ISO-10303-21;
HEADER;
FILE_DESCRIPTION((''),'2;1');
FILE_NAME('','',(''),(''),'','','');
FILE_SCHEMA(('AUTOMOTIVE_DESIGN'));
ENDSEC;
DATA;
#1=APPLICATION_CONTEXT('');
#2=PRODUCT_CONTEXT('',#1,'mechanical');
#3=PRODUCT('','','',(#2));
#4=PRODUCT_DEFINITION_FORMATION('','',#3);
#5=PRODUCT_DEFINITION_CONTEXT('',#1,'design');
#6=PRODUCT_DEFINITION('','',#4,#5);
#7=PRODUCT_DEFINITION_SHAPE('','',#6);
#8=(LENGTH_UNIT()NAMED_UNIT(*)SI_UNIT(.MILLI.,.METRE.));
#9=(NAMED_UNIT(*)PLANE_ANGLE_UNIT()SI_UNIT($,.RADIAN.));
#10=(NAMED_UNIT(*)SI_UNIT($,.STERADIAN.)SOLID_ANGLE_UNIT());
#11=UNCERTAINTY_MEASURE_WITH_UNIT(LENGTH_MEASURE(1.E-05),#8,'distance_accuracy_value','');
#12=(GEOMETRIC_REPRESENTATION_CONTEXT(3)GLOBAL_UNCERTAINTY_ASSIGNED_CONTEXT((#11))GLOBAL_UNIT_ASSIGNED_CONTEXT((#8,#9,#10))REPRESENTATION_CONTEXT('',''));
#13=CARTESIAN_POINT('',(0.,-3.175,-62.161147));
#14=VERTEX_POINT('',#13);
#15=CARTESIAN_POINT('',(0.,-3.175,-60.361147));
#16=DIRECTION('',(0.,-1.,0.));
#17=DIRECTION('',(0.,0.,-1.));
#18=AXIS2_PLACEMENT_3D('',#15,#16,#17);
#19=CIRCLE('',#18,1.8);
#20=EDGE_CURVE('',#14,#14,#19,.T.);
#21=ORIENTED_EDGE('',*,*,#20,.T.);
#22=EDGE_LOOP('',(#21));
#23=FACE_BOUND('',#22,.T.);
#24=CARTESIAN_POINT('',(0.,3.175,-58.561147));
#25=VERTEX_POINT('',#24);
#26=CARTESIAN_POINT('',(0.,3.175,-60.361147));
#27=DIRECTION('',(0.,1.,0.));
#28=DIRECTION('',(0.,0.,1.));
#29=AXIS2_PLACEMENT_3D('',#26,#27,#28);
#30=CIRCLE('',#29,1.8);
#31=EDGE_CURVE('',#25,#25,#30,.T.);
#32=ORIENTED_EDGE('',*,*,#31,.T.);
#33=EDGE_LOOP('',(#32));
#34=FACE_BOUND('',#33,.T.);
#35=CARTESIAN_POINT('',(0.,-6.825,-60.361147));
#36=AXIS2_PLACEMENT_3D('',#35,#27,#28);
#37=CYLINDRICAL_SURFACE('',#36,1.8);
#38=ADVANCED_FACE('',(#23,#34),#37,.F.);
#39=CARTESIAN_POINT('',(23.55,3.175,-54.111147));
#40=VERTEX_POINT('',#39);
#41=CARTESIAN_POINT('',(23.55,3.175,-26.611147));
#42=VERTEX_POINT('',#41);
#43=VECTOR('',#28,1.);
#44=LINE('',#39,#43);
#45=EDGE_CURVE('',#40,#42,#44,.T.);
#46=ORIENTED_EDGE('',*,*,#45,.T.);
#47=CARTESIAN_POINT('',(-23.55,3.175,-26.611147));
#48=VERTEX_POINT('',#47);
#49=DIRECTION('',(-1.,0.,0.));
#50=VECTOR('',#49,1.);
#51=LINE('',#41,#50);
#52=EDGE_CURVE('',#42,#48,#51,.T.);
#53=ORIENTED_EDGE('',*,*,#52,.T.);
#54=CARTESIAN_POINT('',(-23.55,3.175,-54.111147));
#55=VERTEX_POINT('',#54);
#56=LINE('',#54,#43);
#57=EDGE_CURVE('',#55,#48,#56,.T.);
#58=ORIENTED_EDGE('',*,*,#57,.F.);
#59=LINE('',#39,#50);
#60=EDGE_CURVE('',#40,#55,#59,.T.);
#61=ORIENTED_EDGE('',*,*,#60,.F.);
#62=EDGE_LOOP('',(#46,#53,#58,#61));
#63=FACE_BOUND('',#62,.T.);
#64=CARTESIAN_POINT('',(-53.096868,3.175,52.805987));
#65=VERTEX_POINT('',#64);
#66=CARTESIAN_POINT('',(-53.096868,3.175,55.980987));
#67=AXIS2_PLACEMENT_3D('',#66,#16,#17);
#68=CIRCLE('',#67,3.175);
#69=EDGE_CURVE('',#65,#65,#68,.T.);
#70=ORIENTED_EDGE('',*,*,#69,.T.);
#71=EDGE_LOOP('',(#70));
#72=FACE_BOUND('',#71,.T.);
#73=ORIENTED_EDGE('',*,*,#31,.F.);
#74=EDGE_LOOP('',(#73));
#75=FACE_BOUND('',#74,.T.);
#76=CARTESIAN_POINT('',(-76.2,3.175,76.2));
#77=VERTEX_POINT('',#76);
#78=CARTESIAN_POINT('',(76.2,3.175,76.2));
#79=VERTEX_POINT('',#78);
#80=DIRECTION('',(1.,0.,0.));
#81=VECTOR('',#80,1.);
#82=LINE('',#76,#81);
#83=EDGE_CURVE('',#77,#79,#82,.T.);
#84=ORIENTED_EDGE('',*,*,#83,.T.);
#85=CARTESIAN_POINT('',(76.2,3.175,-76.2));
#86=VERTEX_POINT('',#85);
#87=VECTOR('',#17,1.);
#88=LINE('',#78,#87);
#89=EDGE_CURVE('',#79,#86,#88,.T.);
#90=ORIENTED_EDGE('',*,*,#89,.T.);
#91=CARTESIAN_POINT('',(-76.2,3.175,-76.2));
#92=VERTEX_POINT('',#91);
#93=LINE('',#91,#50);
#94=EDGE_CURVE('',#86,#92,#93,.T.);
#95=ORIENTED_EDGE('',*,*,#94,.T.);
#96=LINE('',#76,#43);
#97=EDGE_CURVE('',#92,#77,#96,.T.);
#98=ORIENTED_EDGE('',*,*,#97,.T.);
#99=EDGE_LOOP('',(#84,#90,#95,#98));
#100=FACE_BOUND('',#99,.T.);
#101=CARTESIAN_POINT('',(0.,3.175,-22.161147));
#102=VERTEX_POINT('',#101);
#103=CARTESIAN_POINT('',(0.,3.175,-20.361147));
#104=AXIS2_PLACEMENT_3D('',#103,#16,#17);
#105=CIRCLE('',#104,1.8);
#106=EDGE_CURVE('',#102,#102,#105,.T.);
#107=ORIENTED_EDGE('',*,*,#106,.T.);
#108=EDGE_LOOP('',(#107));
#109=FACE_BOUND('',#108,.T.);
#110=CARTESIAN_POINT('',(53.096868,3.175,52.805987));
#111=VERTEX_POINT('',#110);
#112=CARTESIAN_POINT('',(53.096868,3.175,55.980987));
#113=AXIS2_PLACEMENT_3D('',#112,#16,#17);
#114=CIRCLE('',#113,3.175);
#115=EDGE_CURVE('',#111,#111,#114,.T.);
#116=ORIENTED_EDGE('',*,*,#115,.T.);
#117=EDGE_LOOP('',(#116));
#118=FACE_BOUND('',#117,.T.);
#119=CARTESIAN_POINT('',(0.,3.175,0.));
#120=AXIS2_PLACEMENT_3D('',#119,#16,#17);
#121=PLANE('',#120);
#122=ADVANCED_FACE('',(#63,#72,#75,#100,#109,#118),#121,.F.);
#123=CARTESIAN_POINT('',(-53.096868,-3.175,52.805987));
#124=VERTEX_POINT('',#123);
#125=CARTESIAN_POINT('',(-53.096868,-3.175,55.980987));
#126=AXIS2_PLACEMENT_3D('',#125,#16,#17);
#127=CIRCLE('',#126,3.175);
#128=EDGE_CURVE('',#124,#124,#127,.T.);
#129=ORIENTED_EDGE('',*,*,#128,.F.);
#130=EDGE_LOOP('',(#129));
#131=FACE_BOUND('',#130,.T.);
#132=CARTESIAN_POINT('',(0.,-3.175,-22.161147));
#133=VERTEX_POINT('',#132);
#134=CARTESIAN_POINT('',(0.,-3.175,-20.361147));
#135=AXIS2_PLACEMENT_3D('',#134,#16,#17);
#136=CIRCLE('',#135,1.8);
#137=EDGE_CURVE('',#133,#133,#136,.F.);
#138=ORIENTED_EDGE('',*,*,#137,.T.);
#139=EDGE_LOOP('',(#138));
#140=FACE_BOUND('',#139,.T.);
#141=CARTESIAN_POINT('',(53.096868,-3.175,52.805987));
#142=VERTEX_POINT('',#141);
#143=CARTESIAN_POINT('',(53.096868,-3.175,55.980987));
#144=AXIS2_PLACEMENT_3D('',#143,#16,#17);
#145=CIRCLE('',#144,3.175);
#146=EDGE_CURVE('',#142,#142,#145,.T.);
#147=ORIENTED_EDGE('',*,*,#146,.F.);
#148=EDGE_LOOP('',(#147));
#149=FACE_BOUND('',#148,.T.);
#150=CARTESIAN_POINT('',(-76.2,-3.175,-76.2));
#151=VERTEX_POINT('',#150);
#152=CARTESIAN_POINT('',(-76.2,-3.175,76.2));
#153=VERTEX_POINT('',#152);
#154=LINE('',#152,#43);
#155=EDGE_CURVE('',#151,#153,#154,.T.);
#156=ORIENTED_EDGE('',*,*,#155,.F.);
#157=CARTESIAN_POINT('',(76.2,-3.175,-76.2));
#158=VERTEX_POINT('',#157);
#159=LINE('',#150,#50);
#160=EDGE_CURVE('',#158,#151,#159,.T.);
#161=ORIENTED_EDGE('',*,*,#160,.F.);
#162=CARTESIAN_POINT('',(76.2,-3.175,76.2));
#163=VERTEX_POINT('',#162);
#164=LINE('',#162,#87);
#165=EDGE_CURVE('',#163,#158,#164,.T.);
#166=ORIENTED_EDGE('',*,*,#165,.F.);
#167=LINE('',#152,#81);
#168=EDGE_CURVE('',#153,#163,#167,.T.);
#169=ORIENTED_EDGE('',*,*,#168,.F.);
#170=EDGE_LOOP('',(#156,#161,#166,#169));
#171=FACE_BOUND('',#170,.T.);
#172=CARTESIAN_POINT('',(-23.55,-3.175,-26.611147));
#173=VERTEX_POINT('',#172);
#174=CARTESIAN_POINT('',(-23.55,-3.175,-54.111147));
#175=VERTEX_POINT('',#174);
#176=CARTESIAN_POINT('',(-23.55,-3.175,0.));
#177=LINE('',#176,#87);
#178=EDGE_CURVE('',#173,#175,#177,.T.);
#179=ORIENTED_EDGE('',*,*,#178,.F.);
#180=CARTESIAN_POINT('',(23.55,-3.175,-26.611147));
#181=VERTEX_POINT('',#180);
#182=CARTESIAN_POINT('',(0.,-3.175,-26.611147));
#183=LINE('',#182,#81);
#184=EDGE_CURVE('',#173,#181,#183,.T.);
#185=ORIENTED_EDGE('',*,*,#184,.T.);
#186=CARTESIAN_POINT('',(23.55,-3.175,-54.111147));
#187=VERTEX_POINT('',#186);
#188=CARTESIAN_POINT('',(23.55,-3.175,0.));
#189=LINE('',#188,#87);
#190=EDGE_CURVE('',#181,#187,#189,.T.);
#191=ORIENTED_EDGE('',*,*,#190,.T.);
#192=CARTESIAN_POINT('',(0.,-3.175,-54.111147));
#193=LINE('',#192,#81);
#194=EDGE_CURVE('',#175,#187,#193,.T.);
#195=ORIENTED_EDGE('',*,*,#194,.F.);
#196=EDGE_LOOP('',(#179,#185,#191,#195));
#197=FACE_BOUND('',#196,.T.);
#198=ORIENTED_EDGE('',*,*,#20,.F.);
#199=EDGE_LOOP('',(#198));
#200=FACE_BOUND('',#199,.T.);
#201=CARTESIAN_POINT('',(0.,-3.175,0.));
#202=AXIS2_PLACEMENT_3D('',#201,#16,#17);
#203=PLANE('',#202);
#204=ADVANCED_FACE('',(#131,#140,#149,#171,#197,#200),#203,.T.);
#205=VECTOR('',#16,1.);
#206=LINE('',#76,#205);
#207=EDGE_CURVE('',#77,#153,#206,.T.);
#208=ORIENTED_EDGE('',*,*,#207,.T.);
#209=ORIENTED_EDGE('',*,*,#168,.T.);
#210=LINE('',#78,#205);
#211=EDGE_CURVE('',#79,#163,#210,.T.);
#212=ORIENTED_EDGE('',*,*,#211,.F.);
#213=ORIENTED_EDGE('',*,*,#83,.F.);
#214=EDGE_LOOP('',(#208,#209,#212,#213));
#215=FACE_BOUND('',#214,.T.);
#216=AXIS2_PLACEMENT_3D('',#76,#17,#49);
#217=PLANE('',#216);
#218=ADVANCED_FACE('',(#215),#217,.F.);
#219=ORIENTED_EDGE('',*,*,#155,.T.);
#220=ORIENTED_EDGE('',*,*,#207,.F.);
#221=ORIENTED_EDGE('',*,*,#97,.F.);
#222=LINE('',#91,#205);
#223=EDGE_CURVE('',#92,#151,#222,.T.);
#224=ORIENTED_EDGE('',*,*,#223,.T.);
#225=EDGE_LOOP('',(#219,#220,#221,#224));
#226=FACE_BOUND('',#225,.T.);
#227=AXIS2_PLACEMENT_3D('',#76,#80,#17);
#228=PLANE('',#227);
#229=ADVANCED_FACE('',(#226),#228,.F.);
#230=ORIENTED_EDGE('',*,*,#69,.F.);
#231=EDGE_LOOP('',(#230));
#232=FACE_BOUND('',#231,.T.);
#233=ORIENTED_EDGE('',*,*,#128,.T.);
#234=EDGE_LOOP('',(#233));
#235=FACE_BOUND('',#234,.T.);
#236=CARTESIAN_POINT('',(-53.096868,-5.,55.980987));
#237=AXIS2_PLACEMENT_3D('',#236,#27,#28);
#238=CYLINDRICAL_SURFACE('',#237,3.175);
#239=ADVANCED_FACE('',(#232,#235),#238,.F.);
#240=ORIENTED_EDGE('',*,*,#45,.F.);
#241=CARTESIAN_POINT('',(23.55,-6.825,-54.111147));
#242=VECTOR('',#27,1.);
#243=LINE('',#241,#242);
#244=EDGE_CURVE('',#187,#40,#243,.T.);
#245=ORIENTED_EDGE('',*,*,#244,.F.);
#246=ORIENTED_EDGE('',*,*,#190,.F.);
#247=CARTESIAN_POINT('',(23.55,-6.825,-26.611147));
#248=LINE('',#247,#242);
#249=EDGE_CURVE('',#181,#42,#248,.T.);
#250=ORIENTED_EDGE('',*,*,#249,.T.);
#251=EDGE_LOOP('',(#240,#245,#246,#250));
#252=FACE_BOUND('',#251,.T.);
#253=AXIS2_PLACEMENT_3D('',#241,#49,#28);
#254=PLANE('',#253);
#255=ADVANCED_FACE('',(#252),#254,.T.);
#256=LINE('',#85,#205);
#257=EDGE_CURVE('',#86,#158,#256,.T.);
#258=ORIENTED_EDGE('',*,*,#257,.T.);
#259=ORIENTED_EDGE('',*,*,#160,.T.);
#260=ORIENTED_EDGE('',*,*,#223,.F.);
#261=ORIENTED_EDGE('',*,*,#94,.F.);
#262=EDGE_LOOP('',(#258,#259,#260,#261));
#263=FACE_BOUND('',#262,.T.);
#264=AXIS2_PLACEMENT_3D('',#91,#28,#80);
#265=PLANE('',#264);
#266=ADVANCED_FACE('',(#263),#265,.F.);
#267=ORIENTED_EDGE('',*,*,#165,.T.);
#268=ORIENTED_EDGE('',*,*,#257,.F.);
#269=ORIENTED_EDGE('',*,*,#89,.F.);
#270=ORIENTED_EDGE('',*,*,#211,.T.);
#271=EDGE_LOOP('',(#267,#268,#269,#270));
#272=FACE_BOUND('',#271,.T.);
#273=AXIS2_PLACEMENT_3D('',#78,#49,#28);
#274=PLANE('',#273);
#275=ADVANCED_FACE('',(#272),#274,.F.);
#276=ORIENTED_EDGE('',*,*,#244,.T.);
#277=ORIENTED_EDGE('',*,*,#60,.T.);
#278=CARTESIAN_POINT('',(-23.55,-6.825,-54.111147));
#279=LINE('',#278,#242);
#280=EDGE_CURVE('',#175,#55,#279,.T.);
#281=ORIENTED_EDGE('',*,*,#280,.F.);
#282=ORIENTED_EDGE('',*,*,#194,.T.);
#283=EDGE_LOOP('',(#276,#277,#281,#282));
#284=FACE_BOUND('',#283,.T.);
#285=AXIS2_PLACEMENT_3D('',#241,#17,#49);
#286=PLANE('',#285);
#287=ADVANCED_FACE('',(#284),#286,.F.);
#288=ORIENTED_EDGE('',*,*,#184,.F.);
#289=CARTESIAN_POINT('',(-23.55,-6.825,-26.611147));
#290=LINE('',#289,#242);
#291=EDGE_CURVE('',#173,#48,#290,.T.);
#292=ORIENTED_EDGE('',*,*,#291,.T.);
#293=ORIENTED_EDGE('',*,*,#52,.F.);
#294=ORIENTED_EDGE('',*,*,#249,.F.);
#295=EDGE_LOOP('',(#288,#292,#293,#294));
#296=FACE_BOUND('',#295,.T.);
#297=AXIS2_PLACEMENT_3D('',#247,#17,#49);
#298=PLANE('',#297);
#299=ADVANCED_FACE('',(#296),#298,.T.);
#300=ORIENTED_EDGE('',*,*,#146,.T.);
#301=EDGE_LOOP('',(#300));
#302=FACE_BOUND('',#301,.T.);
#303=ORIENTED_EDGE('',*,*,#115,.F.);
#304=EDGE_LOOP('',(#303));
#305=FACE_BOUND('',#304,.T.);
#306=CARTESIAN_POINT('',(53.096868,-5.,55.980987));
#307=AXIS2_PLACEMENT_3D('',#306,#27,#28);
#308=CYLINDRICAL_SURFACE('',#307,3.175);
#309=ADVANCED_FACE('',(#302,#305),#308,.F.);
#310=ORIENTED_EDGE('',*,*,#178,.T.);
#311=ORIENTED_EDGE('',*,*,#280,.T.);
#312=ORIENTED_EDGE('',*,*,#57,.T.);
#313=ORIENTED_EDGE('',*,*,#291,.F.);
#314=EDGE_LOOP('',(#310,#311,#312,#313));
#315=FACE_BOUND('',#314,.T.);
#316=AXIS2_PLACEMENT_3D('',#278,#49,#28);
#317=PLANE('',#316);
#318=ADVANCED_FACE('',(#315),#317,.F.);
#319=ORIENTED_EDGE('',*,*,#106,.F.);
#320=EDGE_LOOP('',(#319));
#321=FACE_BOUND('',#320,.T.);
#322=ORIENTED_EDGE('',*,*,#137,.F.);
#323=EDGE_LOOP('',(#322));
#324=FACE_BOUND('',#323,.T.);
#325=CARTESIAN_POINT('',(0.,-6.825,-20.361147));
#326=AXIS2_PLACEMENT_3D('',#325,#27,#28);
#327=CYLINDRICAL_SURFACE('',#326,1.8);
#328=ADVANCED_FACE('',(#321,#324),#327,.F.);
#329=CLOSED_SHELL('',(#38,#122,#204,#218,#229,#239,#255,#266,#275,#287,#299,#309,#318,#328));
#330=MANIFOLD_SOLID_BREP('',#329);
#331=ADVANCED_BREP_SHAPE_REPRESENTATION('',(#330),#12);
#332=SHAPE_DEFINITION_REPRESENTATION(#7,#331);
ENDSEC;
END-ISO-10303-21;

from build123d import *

# Parameters (mm, degrees)
SKETCH3_W           = 152.4
SKETCH3_H           = 152.4
BOSS_EXTRUDE1_DEPTH = 3.175
SKETCH4_R           = 1.8
SKETCH4_W           = 47.1
SKETCH4_H           = 27.5
CUT_EXTRUDE1_DEPTH  = 10
SKETCH5_R           = 3.175
CUT_EXTRUDE2_DEPTH  = 5


with BuildPart() as part:
    # Sketch3 → Boss-Extrude1 (new, symmetric)
    with BuildSketch(Plane(origin=(0, 0, 0), x_dir=(1, 0, 0), z_dir=(0, 1, 0))):
        Rectangle(SKETCH3_W, SKETCH3_H)
    extrude(amount=BOSS_EXTRUDE1_DEPTH, both=True)

    # Sketch4 → Cut-Extrude1 (cut)
    with BuildSketch(Plane(origin=(0, 3.175, 0), x_dir=(1, 0, 0), z_dir=(0, 1, 0))):
        with Locations(Location((0, 60.361146992, 0), (0, 0, 270))):
            Circle(SKETCH4_R)
        with Locations(Location((0, 20.361146992, 0), (0, 0, 90))):
            Circle(SKETCH4_R)
        with Locations((0, 40.361146992)):
            Rectangle(SKETCH4_W, SKETCH4_H)
    extrude(amount=-CUT_EXTRUDE1_DEPTH, mode=Mode.SUBTRACT)

    # Sketch5 → Cut-Extrude2 (cut, symmetric)
    with BuildSketch(Plane(origin=(0, 0, 0), x_dir=(1, 0, 0), z_dir=(0, 1, 0))):
        with Locations(Location((-53.096867931, -55.98098713, 0), (0, 0, 90))):
            Circle(SKETCH5_R)
        with Locations(Location((53.096867931, -55.98098713, 0), (0, 0, 90))):
            Circle(SKETCH5_R)
    extrude(amount=CUT_EXTRUDE2_DEPTH, both=True, mode=Mode.SUBTRACT)


solid = part.part
